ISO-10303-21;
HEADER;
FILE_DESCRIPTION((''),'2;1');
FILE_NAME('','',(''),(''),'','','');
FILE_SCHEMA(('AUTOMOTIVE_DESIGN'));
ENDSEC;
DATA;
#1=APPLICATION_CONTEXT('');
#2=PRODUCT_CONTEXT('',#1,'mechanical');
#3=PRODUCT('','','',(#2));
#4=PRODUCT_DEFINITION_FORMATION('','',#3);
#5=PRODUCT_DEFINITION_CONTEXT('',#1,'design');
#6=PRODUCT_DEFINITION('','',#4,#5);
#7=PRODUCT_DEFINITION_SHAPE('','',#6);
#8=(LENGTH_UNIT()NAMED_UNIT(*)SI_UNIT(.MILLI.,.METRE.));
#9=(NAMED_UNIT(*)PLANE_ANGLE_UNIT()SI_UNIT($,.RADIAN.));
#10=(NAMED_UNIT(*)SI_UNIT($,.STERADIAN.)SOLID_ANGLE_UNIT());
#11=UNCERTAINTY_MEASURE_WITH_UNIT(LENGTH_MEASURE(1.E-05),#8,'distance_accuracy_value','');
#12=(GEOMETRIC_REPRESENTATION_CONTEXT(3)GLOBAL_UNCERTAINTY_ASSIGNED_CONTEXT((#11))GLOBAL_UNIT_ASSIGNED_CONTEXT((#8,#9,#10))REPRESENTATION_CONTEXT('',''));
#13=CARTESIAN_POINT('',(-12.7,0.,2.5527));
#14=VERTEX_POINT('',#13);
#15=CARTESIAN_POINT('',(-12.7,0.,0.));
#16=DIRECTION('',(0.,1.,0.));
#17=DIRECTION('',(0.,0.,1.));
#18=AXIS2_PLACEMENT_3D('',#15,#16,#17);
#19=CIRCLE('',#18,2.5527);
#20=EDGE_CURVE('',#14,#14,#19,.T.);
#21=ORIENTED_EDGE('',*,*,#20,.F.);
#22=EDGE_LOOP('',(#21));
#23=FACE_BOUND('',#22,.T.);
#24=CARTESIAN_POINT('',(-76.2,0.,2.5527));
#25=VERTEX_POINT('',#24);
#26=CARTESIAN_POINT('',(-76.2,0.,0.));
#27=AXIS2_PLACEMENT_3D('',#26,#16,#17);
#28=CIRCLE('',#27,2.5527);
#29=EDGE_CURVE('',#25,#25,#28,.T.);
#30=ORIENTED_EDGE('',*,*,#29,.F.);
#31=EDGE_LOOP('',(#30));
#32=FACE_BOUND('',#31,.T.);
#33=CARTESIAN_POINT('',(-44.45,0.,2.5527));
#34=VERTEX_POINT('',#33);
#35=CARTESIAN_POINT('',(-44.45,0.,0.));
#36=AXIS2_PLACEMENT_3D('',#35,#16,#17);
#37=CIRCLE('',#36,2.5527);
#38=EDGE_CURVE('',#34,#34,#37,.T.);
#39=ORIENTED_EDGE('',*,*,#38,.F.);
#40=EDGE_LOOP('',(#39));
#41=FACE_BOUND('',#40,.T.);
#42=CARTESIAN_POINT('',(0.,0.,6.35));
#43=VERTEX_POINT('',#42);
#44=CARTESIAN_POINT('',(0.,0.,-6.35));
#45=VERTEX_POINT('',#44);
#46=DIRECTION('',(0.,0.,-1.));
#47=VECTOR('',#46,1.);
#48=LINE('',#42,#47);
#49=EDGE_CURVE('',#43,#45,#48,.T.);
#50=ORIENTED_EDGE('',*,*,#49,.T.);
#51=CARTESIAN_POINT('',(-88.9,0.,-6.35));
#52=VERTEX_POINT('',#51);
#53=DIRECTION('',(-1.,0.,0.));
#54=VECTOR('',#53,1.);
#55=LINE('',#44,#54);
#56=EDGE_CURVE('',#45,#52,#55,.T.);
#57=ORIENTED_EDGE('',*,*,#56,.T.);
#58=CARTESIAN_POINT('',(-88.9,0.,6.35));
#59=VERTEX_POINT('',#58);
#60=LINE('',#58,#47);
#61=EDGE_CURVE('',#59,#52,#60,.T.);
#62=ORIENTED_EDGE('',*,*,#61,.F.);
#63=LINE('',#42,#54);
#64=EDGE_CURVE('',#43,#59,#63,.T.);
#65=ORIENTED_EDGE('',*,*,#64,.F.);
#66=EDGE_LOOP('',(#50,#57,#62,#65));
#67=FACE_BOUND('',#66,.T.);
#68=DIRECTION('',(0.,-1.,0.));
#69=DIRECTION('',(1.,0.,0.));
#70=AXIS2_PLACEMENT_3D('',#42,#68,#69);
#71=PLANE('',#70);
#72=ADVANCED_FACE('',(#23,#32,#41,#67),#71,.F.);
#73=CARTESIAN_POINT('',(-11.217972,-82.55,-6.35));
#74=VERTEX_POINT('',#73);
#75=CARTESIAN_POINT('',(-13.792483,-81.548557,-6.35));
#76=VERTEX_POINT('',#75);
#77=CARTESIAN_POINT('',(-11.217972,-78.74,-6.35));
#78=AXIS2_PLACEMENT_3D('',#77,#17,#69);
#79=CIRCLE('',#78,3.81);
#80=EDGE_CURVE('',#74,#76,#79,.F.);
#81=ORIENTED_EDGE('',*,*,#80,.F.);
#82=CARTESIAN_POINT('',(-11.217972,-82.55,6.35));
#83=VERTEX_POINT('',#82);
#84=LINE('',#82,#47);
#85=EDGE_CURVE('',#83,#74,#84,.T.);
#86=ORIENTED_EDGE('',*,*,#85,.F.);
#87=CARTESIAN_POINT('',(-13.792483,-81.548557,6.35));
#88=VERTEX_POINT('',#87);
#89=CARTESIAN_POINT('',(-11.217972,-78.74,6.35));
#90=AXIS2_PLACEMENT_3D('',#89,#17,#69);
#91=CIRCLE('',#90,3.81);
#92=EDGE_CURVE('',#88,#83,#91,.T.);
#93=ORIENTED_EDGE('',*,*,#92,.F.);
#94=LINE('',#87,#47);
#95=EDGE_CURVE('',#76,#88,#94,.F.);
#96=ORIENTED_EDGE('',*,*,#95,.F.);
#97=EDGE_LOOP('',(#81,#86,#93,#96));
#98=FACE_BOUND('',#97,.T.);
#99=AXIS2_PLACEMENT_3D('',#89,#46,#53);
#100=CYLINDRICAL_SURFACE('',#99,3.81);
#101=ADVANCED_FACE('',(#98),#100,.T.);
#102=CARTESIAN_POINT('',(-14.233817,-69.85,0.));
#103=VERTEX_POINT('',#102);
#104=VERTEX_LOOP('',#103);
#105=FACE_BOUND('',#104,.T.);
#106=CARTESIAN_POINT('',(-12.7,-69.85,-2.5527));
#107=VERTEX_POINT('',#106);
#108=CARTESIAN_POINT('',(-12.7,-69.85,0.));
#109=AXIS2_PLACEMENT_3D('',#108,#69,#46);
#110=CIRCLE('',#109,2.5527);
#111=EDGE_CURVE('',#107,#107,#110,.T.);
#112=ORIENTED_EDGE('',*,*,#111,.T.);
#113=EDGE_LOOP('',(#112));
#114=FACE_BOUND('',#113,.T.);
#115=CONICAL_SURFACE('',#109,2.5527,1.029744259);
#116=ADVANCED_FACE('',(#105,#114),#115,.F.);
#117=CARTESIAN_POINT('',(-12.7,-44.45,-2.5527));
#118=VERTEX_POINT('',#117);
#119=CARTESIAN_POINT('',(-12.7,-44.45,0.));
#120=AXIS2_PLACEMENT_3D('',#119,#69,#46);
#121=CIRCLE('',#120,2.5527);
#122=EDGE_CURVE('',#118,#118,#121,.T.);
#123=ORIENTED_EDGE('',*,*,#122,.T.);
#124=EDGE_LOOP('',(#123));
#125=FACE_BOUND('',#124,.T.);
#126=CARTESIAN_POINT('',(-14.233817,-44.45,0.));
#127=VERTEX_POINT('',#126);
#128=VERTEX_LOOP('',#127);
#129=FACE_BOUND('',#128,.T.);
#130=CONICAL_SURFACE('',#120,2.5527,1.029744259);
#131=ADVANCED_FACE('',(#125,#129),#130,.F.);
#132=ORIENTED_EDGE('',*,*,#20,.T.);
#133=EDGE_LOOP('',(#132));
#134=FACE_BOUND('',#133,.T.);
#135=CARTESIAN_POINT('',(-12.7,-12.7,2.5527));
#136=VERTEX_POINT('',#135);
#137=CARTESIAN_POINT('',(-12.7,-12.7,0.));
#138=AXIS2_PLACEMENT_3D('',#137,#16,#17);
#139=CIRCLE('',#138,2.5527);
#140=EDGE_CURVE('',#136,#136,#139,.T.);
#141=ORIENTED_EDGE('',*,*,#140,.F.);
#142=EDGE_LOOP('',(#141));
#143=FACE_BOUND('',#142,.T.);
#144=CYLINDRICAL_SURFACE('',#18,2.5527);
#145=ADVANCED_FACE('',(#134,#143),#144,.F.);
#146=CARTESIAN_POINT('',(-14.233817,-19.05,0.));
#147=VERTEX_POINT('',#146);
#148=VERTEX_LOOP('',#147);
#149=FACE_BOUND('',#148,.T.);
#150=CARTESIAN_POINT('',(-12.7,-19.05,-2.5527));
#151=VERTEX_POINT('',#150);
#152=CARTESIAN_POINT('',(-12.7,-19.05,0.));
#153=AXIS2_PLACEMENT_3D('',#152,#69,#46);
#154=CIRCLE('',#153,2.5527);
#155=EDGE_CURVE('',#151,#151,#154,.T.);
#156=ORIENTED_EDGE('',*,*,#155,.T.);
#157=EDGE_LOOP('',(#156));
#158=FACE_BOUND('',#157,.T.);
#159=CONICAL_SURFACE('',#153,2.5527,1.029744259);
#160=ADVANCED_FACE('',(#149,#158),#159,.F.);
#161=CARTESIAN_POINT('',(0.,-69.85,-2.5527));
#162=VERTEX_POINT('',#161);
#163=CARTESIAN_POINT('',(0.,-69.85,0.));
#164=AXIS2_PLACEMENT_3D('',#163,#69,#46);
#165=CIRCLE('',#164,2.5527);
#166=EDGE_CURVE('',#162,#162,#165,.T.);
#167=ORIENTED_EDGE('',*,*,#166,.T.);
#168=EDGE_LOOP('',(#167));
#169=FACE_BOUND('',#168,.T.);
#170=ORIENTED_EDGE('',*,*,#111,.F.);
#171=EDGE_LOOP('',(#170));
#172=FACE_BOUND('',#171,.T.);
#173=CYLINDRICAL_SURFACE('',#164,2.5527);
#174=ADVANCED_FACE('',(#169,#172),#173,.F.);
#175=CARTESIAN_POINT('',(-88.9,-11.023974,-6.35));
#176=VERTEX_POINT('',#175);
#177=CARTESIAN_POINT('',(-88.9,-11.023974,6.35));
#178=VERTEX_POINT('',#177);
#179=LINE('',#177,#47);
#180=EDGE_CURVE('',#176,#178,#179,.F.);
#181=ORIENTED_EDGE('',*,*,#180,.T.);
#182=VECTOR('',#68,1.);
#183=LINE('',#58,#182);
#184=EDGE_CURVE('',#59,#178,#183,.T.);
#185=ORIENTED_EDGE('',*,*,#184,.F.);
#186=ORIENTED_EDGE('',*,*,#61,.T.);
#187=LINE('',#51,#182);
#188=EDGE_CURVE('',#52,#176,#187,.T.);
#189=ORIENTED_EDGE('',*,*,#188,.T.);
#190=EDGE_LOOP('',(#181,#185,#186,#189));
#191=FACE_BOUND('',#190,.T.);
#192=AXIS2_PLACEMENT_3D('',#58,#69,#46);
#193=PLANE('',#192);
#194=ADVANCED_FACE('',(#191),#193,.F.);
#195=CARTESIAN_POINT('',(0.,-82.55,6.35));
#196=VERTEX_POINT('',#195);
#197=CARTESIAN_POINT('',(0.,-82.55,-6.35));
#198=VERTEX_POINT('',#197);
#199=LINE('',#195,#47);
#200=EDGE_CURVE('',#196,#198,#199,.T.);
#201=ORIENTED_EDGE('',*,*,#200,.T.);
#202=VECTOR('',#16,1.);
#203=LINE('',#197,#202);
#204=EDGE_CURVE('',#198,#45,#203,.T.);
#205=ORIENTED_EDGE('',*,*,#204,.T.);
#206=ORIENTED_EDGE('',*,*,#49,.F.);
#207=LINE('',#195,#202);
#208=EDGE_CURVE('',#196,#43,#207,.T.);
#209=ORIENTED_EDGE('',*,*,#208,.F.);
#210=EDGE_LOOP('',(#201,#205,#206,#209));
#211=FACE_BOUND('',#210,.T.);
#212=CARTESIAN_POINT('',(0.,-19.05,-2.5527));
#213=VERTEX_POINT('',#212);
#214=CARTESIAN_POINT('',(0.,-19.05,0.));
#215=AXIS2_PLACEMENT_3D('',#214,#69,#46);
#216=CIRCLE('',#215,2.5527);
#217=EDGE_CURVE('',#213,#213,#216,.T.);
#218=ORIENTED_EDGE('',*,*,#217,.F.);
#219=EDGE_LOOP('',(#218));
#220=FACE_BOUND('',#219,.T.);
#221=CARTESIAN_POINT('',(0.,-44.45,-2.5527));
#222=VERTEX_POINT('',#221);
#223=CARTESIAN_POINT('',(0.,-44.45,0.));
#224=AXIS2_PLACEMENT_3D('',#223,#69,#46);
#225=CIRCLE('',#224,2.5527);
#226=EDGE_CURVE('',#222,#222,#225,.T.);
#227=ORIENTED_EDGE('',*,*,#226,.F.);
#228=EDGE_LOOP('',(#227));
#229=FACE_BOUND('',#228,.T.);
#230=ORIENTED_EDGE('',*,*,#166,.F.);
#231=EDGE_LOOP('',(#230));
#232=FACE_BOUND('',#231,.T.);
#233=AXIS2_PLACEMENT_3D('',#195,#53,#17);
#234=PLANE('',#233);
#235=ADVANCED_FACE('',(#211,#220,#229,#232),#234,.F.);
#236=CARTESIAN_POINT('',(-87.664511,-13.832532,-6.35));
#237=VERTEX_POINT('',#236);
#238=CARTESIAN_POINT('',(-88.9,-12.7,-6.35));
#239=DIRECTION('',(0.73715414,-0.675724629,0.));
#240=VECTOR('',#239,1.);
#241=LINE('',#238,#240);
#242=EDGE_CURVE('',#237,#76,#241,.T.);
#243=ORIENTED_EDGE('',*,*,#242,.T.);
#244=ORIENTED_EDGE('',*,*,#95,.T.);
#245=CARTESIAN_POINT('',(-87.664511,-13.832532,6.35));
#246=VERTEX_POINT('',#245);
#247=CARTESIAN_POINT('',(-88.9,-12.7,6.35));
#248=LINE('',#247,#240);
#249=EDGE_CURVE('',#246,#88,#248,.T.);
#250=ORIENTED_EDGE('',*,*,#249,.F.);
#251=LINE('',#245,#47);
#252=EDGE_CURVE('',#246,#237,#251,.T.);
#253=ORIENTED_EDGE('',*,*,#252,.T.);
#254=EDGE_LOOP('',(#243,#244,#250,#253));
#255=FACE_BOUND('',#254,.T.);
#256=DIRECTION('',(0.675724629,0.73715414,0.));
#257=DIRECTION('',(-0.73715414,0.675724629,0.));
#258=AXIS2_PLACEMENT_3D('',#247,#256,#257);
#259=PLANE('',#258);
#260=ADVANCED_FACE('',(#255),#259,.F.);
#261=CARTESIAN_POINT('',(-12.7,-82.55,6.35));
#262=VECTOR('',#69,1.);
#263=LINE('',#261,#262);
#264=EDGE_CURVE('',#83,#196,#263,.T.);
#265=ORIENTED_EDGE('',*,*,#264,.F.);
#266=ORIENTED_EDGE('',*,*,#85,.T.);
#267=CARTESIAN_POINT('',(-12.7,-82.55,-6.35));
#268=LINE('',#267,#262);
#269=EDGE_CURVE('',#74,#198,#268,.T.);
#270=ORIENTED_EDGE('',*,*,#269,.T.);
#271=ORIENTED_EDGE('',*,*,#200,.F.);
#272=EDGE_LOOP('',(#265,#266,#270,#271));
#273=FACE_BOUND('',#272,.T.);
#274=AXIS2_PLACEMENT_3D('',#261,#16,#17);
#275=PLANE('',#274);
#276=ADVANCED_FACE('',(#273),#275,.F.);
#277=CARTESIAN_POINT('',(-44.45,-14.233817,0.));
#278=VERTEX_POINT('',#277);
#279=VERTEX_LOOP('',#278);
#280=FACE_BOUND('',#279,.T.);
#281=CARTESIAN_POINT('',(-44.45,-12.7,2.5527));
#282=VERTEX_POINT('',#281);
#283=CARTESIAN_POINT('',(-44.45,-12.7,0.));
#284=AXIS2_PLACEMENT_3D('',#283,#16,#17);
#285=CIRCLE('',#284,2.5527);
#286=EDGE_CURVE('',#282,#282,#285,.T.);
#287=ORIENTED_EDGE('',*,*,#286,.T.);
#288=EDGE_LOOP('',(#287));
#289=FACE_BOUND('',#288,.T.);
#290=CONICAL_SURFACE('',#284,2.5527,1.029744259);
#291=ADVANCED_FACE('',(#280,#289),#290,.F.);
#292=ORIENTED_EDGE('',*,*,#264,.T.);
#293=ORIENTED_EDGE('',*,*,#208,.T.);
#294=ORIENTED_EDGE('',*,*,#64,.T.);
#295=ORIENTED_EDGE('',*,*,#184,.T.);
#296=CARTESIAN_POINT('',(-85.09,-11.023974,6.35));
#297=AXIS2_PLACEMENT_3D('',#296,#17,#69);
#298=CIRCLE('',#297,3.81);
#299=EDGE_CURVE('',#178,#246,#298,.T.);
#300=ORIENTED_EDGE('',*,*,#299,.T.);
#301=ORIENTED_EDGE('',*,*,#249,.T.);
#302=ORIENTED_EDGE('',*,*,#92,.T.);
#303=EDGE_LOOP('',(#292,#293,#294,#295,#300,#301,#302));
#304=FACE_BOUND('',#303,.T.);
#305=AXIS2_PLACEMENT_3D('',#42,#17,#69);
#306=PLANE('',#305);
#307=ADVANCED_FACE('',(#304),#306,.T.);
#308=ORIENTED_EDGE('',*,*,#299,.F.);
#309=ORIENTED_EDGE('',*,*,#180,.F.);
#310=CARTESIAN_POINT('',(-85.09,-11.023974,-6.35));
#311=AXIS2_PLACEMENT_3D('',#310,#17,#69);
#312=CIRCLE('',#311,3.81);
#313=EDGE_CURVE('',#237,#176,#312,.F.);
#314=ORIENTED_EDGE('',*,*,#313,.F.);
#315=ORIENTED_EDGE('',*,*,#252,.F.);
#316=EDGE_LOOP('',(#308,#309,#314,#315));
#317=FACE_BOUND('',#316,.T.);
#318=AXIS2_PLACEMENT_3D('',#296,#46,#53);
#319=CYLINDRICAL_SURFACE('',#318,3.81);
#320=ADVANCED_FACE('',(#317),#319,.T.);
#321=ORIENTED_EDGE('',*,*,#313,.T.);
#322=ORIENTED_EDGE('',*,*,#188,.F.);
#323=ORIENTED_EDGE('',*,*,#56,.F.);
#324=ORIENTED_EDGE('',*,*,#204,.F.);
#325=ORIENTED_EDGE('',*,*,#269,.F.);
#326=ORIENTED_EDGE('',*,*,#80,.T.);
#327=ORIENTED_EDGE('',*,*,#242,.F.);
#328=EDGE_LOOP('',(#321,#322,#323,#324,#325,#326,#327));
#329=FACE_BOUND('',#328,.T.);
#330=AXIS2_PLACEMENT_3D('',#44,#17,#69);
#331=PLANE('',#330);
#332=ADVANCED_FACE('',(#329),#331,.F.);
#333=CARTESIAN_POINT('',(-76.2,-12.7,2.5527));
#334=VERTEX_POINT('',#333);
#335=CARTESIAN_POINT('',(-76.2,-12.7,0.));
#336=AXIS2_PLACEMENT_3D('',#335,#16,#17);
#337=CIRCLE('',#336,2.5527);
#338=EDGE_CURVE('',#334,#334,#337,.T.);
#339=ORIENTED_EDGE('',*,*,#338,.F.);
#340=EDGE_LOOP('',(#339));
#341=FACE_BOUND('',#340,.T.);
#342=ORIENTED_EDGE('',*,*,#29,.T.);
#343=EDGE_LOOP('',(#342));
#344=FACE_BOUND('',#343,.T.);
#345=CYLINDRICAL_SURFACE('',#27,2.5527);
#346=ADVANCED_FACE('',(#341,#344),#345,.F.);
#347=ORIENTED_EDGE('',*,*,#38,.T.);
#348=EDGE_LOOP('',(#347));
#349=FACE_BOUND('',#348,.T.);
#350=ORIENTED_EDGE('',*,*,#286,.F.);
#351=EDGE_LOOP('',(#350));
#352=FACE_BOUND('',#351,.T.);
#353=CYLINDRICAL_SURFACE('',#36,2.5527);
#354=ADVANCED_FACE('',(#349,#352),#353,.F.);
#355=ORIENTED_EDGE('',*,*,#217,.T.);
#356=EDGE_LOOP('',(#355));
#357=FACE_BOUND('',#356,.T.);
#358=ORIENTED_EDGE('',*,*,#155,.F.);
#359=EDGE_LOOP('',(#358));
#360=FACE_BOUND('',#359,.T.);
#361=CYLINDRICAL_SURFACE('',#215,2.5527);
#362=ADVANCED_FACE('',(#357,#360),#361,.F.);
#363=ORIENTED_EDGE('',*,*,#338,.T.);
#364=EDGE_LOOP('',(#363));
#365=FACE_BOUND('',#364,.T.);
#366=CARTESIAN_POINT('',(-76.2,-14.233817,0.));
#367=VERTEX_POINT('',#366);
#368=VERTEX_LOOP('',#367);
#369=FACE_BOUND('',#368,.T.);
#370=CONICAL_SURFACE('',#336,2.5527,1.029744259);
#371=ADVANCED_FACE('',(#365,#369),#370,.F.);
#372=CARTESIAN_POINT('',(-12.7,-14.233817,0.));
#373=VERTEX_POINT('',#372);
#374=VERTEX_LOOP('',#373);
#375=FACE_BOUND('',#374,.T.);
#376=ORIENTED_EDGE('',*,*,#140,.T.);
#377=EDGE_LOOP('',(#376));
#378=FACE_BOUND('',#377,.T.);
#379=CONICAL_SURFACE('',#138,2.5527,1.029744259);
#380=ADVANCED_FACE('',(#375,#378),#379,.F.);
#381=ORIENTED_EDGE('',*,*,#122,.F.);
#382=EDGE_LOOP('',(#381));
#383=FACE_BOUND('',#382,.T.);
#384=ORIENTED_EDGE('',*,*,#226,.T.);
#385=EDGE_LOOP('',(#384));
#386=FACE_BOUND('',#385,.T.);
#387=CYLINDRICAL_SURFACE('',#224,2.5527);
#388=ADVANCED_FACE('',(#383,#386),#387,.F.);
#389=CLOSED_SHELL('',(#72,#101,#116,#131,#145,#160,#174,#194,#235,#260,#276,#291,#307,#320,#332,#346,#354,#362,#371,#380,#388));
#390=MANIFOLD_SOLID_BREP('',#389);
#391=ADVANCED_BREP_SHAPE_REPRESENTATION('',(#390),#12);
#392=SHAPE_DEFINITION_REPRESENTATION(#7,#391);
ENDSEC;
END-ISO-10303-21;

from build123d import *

# Parameters (mm, degrees)
BOSS_EXTRUDE1_DEPTH = 6.35
LPATTERN1_COUNT     = 3
LPATTERN1_PITCH     = 31.75
LPATTERN2_COUNT     = 3
LPATTERN2_PITCH     = 25.4
FILLET1_R           = 3.81


with BuildPart() as part:
    # Sketch1 → Boss-Extrude1 (new, symmetric)
    with BuildSketch(Plane.XY):
        Polygon((0, 0), (-88.9, 0), (-88.9, -12.7), (-12.7, -82.55), (0, -82.55), align=None)
    extrude(amount=BOSS_EXTRUDE1_DEPTH, both=True)

    # Sketch3 → Tap Drill for 1/4-20 Tap1 (revolve, cut)
    with BuildSketch(Plane(origin=(-76.2, 0, 0), x_dir=(0, 0, 1), z_dir=(1, 0, 0))):
        Polygon((0, 0), (0, 14.233816902), (2.5527, 12.7), (2.5527, 0), align=None)
    tap_drill_for_1_4_20_tap1 = revolve(axis=Axis((-76.2, 6.35, 0), (0, -1, 0)), mode=Mode.SUBTRACT)

    # LPattern1: Tap Drill for 1/4-20 Tap1 ×3
    with Locations(*[(i * LPATTERN1_PITCH, 0, 0) for i in range(1, LPATTERN1_COUNT)]):
        add(tap_drill_for_1_4_20_tap1, mode=Mode.SUBTRACT)

    # Sketch5 → Tap Drill for 1/4-20 Tap2 (revolve, cut)
    with BuildSketch(Plane(origin=(0, -69.85, 0), x_dir=(0, 0, -1), z_dir=(0, 1, 0))):
        Polygon((0, 0), (0, 14.233816902), (2.5527, 12.7), (2.5527, 0), align=None)
    tap_drill_for_1_4_20_tap2 = revolve(axis=Axis((6.35, -69.85, 0), (-1, 0, 0)), mode=Mode.SUBTRACT)

    # LPattern2: Tap Drill for 1/4-20 Tap2 ×3
    with Locations(*[(0, i * LPATTERN2_PITCH, 0) for i in range(1, LPATTERN2_COUNT)]):
        add(tap_drill_for_1_4_20_tap2, mode=Mode.SUBTRACT)

    # Fillet1
    fillet1_edges = [part.edges().sort_by_distance(p)[0] for p in [
        (-12.7, -82.55, 0),
        (-88.9, -12.7, 0),
    ]]
    fillet(fillet1_edges, radius=FILLET1_R)


solid = part.part
